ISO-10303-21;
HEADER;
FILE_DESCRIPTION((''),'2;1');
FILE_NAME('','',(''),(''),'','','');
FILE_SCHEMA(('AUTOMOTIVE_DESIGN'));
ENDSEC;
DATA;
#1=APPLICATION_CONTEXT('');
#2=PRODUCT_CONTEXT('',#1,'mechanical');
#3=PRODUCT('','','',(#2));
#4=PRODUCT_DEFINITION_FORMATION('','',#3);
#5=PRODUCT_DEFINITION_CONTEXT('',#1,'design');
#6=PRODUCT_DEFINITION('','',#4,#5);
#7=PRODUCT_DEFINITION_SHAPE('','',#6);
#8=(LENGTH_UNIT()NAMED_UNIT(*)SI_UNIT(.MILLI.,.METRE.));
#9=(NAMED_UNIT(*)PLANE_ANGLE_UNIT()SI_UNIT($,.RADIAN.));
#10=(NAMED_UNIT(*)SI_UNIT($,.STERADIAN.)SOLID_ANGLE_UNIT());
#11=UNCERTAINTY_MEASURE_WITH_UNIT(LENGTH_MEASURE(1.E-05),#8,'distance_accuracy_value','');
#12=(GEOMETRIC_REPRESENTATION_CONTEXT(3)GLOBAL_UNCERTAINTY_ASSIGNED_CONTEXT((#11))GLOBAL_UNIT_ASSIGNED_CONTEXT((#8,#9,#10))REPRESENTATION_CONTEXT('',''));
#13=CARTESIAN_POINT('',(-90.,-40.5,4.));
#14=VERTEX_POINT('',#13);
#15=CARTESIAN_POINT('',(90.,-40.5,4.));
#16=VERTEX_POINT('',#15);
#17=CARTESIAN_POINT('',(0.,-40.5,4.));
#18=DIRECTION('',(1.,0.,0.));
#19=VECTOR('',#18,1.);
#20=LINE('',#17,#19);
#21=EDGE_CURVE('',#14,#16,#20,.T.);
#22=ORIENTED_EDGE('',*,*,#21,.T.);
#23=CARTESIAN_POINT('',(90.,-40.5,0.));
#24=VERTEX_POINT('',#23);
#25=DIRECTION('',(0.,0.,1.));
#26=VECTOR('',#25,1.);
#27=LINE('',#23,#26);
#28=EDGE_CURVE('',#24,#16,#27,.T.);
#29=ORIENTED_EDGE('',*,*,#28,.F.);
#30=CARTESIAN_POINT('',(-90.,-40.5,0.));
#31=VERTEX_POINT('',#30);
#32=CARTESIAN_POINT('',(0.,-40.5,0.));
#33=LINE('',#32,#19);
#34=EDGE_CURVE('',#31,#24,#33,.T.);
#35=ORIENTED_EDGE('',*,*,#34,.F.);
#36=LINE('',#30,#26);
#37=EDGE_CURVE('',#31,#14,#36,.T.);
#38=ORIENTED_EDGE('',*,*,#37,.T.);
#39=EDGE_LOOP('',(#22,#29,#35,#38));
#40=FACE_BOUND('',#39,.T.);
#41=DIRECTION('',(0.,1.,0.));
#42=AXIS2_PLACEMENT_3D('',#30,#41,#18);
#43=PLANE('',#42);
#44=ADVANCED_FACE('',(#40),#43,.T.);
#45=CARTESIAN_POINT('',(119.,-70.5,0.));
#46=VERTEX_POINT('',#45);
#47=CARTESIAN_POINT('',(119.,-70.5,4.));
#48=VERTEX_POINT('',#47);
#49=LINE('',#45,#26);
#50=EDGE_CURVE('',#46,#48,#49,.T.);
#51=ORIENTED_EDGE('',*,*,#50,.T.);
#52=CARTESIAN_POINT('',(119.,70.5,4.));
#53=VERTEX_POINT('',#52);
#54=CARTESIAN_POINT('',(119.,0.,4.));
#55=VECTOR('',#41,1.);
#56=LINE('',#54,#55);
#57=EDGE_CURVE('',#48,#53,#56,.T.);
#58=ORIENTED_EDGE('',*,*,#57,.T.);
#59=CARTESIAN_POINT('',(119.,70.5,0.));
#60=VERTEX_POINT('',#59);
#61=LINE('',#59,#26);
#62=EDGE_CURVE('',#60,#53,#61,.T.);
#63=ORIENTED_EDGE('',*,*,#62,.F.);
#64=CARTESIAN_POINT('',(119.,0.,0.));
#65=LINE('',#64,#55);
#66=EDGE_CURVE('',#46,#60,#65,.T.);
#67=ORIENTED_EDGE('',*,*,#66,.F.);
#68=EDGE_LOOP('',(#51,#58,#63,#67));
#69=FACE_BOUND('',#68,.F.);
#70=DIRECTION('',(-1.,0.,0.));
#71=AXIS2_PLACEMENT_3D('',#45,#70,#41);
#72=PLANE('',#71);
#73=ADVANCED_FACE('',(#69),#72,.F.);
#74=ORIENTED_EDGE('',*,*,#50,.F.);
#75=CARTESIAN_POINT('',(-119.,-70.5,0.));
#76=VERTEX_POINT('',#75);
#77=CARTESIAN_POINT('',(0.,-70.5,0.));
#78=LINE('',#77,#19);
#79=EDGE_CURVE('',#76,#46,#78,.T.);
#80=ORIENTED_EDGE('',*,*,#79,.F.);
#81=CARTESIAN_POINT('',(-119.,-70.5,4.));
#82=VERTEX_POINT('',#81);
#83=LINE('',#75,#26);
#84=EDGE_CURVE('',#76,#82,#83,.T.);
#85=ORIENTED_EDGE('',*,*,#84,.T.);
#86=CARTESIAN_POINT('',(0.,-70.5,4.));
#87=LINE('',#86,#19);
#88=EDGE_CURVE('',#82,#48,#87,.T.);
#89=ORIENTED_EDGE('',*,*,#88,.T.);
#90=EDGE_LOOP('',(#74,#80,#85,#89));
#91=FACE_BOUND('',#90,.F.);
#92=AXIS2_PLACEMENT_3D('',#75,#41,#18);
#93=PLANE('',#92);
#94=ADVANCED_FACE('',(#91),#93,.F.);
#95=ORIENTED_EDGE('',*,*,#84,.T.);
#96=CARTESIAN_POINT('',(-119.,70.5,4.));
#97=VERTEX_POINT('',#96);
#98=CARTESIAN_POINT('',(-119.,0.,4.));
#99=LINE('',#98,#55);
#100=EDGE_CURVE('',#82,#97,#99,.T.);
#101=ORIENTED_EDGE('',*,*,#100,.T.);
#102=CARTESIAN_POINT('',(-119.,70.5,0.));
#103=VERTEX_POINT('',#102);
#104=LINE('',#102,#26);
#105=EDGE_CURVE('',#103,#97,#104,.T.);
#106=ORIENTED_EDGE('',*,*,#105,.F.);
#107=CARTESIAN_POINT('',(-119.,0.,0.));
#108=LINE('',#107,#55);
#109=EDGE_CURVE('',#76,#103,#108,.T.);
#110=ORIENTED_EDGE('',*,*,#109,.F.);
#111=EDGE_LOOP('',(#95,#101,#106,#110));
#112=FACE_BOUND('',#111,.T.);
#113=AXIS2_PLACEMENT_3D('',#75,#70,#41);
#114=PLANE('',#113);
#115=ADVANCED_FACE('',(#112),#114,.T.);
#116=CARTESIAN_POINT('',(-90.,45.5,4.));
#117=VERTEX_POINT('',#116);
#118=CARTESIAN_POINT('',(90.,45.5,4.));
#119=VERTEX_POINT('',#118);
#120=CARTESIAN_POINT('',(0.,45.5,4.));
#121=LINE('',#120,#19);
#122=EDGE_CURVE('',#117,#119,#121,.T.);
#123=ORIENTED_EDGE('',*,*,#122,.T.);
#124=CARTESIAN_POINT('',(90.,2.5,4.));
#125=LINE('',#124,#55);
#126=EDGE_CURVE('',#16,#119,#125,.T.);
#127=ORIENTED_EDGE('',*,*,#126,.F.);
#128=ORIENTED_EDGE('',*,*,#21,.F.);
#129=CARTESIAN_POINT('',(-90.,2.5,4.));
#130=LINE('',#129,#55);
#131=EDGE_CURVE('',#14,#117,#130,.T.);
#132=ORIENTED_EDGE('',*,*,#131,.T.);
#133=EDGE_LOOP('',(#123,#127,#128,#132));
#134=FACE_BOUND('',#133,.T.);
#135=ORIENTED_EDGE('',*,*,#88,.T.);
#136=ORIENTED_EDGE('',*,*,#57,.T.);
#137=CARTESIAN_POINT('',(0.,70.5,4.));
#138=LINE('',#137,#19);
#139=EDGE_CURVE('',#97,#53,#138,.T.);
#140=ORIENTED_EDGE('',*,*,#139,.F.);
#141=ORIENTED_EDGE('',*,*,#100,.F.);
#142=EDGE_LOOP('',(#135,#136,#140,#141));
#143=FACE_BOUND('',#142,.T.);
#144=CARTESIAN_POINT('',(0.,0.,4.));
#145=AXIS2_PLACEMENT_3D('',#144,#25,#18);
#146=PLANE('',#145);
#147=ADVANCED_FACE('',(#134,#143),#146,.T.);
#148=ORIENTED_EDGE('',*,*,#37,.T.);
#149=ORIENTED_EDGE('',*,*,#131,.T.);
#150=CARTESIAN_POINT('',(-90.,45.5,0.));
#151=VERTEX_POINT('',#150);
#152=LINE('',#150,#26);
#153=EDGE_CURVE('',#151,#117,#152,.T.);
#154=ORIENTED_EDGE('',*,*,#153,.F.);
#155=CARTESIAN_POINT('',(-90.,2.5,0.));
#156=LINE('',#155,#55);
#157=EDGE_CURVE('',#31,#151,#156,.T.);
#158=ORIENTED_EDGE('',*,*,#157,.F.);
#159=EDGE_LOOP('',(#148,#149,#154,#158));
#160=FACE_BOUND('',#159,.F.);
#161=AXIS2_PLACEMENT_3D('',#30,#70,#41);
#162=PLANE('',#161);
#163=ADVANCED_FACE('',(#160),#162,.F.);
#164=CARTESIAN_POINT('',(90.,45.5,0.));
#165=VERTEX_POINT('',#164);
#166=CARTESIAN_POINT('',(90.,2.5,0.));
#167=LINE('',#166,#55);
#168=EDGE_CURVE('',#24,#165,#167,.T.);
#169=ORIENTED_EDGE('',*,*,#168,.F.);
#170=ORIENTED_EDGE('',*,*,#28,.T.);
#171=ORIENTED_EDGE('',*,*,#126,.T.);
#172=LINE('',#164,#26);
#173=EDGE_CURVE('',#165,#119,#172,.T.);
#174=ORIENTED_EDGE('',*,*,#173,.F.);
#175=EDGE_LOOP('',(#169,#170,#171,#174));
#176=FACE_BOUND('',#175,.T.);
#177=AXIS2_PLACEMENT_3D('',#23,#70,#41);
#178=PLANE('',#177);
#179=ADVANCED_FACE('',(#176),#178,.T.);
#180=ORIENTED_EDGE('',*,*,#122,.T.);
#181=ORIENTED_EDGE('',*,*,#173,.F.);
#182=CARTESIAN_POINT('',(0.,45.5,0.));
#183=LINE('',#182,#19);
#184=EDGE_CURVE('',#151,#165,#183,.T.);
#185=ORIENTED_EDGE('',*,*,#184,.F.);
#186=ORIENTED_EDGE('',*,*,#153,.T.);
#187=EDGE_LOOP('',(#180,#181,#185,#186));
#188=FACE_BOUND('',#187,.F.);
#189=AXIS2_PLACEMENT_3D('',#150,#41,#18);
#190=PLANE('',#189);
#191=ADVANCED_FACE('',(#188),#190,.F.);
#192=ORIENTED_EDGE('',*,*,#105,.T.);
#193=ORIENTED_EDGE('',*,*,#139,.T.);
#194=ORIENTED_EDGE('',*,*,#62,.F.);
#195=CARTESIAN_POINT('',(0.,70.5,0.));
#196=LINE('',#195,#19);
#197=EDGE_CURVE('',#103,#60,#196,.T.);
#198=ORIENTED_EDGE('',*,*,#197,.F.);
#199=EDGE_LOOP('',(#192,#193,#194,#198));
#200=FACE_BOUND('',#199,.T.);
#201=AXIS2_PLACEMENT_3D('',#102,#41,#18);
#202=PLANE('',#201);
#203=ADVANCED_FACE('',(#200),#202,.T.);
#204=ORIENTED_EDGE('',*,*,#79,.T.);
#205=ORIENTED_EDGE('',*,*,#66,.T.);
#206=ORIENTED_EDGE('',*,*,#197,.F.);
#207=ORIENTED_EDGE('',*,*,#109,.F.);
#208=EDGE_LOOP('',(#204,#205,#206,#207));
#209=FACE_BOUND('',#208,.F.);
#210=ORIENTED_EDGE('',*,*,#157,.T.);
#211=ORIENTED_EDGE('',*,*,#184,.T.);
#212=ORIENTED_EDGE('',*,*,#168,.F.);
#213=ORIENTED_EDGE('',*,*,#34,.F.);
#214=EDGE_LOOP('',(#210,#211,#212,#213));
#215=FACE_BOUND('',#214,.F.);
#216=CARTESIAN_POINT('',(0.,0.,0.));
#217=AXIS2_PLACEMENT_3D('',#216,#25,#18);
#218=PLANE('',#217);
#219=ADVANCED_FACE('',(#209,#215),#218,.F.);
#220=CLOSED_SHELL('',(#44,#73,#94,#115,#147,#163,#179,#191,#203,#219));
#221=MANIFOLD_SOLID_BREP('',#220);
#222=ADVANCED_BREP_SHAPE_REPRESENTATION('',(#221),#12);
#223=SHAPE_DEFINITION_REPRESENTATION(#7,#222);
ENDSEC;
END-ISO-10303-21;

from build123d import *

# Parameters (mm, degrees)
SKETCH_W   = 238
SKETCH_H   = 141
SKETCH_W_2 = 180
SKETCH_H_2 = 86
PAD_DEPTH  = 4


with BuildPart() as part:
    # Sketch → Pad (new body)
    with BuildSketch(Plane.XY):
        Rectangle(SKETCH_W, SKETCH_H)
        with Locations((0, 2.5)):
            Rectangle(SKETCH_W_2, SKETCH_H_2, mode=Mode.SUBTRACT)
    extrude(amount=PAD_DEPTH)


solid = part.part
